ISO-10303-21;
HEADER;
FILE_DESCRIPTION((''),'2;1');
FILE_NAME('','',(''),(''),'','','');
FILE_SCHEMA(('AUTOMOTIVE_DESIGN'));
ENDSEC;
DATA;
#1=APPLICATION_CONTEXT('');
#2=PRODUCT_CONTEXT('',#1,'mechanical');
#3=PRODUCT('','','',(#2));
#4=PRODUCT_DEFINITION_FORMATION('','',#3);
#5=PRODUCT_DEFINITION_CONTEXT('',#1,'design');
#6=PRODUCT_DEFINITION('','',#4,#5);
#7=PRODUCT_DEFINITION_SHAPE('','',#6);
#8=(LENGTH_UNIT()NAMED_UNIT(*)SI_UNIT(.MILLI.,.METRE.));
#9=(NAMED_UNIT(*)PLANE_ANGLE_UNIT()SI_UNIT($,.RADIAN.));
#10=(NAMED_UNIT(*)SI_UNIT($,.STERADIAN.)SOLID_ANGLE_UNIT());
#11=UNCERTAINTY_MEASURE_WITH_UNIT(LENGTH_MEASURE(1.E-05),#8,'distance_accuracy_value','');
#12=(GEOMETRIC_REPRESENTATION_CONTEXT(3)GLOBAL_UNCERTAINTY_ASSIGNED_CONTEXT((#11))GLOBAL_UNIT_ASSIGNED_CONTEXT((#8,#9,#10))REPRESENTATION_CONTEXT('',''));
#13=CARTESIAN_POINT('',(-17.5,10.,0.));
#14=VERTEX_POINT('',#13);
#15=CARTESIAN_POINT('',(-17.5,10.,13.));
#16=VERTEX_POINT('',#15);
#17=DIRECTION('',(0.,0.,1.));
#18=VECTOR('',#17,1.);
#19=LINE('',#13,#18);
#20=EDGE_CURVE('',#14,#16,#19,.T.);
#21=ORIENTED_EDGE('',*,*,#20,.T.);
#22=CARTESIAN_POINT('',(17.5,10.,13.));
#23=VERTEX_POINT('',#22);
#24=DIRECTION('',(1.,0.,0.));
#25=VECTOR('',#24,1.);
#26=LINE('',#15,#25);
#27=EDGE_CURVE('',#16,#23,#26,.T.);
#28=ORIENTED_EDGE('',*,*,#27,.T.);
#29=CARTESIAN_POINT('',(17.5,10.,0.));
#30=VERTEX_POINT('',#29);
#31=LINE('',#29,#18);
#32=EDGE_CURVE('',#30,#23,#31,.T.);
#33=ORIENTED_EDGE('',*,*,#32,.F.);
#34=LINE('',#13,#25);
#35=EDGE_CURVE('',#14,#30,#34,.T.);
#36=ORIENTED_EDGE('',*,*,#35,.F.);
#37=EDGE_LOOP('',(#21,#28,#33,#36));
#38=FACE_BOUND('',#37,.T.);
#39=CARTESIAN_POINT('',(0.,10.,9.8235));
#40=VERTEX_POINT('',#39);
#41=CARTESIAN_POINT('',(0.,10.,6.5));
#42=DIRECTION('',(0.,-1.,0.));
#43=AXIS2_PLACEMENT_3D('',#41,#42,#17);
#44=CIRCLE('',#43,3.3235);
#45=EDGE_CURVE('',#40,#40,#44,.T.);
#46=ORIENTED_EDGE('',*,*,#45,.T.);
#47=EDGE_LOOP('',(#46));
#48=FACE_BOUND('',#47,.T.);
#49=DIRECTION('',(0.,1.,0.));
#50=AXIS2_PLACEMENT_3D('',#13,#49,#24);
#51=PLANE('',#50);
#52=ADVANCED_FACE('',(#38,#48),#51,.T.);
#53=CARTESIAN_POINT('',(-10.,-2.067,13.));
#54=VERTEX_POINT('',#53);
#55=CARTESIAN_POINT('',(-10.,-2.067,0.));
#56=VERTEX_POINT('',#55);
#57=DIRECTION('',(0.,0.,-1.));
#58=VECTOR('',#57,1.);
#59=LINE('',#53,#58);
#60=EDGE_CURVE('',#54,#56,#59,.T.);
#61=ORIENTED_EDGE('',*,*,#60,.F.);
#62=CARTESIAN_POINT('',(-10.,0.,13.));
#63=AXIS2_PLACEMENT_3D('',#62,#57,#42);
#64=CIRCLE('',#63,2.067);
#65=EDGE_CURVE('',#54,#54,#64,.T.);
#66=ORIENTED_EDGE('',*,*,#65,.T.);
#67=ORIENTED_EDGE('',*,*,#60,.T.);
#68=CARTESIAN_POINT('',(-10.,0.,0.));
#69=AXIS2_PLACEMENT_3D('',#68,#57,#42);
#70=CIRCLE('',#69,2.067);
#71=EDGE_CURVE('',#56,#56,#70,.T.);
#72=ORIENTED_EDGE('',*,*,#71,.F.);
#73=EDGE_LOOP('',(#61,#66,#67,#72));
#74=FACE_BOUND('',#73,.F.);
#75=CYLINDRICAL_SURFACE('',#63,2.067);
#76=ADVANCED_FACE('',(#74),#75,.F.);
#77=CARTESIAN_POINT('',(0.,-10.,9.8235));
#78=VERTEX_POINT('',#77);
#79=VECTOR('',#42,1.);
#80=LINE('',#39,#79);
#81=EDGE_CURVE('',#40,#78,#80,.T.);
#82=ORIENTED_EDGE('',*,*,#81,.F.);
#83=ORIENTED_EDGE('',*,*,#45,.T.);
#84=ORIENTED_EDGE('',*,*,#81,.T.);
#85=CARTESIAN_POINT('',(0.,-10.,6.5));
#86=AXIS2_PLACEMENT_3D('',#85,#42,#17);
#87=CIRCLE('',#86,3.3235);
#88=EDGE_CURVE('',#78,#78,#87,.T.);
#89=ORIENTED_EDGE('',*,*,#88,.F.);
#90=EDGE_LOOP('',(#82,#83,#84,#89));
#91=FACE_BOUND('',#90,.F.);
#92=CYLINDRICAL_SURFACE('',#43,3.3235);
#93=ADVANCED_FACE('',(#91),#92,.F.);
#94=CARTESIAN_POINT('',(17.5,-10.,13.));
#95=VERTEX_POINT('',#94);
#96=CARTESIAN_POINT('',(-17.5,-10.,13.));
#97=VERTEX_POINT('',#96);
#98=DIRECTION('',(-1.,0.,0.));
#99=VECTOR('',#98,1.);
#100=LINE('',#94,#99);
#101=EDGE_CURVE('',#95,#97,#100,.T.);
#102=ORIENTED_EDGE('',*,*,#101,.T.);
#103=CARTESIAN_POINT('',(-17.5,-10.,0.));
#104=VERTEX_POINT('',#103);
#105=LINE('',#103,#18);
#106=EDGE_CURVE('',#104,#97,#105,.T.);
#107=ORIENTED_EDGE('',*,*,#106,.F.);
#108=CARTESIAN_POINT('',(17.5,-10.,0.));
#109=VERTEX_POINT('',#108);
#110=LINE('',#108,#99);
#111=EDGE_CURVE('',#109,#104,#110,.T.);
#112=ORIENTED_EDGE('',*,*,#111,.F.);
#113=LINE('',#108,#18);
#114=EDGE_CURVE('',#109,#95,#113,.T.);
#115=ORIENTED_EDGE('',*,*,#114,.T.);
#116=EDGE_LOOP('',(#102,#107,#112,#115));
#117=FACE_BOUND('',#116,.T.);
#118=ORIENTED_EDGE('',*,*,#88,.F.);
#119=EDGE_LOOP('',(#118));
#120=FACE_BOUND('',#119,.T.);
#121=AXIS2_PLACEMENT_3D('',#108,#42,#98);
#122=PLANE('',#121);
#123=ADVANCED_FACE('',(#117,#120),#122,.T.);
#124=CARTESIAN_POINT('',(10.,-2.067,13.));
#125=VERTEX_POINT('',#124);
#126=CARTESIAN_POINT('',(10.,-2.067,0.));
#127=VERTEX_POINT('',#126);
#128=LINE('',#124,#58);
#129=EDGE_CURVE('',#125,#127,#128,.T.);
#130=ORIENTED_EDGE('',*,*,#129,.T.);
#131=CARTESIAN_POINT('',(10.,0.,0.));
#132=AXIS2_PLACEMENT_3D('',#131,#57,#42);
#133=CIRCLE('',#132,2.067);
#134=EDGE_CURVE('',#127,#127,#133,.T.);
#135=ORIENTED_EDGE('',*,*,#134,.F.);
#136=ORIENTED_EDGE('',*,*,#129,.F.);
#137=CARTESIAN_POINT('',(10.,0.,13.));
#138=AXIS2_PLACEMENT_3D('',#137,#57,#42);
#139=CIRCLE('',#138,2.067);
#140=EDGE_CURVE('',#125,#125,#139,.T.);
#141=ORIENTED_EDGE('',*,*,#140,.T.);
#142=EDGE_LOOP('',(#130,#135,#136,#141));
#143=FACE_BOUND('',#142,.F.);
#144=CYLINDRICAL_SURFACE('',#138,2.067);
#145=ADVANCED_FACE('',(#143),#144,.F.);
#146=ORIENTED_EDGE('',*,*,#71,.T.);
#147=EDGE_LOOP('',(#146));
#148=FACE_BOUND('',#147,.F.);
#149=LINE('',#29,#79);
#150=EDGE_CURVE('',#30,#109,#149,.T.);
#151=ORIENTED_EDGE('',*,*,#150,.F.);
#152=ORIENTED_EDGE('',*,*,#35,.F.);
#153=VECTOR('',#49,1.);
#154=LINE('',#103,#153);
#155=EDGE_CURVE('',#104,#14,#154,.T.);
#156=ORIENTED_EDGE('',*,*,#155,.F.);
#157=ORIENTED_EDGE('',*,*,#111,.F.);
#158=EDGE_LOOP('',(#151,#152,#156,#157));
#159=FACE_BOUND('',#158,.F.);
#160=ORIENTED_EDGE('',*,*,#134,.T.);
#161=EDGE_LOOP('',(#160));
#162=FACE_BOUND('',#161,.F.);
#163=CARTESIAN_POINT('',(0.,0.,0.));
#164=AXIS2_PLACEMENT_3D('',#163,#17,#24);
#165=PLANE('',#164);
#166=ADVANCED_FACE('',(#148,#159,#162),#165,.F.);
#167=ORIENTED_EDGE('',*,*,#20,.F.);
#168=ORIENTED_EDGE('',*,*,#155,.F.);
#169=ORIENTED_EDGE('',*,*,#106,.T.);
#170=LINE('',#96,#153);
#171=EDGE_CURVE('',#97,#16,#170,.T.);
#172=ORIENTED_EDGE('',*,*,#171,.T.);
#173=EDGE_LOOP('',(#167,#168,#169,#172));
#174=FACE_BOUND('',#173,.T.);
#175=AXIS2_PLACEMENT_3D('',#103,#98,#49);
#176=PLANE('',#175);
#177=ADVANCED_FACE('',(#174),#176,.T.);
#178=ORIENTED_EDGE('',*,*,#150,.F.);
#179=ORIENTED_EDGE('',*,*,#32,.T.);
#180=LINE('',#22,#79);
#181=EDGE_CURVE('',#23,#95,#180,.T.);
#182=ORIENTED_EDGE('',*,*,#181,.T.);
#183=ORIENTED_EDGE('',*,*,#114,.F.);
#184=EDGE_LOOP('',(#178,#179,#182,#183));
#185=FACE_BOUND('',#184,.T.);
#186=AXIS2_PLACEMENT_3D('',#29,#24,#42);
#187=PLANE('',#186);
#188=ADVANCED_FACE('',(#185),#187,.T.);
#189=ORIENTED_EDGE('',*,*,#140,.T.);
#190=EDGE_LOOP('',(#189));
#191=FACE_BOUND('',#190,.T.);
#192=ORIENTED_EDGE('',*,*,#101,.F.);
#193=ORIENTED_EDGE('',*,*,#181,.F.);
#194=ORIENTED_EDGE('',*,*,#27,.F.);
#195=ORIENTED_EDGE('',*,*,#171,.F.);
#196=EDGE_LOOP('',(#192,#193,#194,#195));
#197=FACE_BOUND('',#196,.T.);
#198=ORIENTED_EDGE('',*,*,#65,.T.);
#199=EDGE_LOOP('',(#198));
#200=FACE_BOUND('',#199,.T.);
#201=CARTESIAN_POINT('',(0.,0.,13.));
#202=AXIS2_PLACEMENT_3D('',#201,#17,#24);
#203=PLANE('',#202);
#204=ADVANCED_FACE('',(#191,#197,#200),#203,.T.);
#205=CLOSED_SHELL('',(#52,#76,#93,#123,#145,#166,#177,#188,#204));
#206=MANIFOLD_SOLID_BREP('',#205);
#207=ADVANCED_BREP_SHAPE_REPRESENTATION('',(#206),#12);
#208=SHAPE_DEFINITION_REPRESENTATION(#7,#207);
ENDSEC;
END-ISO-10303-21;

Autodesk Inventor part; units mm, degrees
ref_plane "YZ Plane" through (0, 0, 0) normal (1, 0, 0) x (0, 1, 0)
ref_plane "XZ Plane" through (0, 0, 0) normal (0, 1, 0) x (-1, 0, 0)
ref_plane "XY Plane" through (0, 0, 0) normal (0, 0, 1) x (1, 0, 0)
sketch "Sketch1" plane through (0, 0, 0) normal (0, 0, 1) x (1, 0, 0)
  line L0 (-17.5, 10) -> (17.5, 10)
  line L1 (17.5, 10) -> (17.5, -10)
  line L2 (17.5, -10) -> (-17.5, -10)
  line L3 (-17.5, -10) -> (-17.5, 10)
  point P0 (0, 0)
  dimension "d0" = 35
  dimension "d1" = 20
  dimension "d2" = 10
  dimension "d3" = 17.5
extrude "Extrusion1" add sketch "Sketch1" along normal blind 13
sketch "Sketch2" plane through (0, 0, 13) normal (0, 0, 1) x (1, 0, 0)
  line L0 (-17.5, 10) -> (17.5, 10) projected
  line L1 (-17.5, -10) -> (-17.5, 10) projected
  circle A0 centre (-10, 0) radius 2.1
  circle A1 centre (10, 0) radius 2.1
  point P0 (0, 0)
  dimension "d6" = 4.2
  dimension "d7" = 4.2
  dimension "d8" = 20
  dimension "d9" = 10
  dimension "d10" = 10
  dimension "d11" = 7.5
hole "Hole1" at (-10, 0, 13) at (10, 0, 13) direction (0, 0, -1) diameter 4.134 end through all thread size "M5x0.8" class "6H" standard "ANSI Metric M Profile"
sketch "Sketch3" plane through (-17.5, 10, 0) normal (0, 1, 0) x (1, 0, 0)
  line L0 (0, 0) -> (35, 0) projected
  line L1 (0, 0) -> (0, -13) projected
  circle A0 centre (17.5, -6.5) radius 3.375
  point P0 (17.5, 0)
  dimension "d19" = 6.75
  dimension "d20" = 17.5
  dimension "d21" = 6.5
hole "Hole2" at (0, 10, 6.5) direction (0, -1, 0) diameter 6.647 end through all thread size "M8x1.25" class "6H" standard "ANSI Metric M Profile"
equation "\"d2\" = 0.5 * d1"
equation "\"d3\" = 0.5 * d0"
properties part number "PS20010" material "Acetal Resin, Black"
